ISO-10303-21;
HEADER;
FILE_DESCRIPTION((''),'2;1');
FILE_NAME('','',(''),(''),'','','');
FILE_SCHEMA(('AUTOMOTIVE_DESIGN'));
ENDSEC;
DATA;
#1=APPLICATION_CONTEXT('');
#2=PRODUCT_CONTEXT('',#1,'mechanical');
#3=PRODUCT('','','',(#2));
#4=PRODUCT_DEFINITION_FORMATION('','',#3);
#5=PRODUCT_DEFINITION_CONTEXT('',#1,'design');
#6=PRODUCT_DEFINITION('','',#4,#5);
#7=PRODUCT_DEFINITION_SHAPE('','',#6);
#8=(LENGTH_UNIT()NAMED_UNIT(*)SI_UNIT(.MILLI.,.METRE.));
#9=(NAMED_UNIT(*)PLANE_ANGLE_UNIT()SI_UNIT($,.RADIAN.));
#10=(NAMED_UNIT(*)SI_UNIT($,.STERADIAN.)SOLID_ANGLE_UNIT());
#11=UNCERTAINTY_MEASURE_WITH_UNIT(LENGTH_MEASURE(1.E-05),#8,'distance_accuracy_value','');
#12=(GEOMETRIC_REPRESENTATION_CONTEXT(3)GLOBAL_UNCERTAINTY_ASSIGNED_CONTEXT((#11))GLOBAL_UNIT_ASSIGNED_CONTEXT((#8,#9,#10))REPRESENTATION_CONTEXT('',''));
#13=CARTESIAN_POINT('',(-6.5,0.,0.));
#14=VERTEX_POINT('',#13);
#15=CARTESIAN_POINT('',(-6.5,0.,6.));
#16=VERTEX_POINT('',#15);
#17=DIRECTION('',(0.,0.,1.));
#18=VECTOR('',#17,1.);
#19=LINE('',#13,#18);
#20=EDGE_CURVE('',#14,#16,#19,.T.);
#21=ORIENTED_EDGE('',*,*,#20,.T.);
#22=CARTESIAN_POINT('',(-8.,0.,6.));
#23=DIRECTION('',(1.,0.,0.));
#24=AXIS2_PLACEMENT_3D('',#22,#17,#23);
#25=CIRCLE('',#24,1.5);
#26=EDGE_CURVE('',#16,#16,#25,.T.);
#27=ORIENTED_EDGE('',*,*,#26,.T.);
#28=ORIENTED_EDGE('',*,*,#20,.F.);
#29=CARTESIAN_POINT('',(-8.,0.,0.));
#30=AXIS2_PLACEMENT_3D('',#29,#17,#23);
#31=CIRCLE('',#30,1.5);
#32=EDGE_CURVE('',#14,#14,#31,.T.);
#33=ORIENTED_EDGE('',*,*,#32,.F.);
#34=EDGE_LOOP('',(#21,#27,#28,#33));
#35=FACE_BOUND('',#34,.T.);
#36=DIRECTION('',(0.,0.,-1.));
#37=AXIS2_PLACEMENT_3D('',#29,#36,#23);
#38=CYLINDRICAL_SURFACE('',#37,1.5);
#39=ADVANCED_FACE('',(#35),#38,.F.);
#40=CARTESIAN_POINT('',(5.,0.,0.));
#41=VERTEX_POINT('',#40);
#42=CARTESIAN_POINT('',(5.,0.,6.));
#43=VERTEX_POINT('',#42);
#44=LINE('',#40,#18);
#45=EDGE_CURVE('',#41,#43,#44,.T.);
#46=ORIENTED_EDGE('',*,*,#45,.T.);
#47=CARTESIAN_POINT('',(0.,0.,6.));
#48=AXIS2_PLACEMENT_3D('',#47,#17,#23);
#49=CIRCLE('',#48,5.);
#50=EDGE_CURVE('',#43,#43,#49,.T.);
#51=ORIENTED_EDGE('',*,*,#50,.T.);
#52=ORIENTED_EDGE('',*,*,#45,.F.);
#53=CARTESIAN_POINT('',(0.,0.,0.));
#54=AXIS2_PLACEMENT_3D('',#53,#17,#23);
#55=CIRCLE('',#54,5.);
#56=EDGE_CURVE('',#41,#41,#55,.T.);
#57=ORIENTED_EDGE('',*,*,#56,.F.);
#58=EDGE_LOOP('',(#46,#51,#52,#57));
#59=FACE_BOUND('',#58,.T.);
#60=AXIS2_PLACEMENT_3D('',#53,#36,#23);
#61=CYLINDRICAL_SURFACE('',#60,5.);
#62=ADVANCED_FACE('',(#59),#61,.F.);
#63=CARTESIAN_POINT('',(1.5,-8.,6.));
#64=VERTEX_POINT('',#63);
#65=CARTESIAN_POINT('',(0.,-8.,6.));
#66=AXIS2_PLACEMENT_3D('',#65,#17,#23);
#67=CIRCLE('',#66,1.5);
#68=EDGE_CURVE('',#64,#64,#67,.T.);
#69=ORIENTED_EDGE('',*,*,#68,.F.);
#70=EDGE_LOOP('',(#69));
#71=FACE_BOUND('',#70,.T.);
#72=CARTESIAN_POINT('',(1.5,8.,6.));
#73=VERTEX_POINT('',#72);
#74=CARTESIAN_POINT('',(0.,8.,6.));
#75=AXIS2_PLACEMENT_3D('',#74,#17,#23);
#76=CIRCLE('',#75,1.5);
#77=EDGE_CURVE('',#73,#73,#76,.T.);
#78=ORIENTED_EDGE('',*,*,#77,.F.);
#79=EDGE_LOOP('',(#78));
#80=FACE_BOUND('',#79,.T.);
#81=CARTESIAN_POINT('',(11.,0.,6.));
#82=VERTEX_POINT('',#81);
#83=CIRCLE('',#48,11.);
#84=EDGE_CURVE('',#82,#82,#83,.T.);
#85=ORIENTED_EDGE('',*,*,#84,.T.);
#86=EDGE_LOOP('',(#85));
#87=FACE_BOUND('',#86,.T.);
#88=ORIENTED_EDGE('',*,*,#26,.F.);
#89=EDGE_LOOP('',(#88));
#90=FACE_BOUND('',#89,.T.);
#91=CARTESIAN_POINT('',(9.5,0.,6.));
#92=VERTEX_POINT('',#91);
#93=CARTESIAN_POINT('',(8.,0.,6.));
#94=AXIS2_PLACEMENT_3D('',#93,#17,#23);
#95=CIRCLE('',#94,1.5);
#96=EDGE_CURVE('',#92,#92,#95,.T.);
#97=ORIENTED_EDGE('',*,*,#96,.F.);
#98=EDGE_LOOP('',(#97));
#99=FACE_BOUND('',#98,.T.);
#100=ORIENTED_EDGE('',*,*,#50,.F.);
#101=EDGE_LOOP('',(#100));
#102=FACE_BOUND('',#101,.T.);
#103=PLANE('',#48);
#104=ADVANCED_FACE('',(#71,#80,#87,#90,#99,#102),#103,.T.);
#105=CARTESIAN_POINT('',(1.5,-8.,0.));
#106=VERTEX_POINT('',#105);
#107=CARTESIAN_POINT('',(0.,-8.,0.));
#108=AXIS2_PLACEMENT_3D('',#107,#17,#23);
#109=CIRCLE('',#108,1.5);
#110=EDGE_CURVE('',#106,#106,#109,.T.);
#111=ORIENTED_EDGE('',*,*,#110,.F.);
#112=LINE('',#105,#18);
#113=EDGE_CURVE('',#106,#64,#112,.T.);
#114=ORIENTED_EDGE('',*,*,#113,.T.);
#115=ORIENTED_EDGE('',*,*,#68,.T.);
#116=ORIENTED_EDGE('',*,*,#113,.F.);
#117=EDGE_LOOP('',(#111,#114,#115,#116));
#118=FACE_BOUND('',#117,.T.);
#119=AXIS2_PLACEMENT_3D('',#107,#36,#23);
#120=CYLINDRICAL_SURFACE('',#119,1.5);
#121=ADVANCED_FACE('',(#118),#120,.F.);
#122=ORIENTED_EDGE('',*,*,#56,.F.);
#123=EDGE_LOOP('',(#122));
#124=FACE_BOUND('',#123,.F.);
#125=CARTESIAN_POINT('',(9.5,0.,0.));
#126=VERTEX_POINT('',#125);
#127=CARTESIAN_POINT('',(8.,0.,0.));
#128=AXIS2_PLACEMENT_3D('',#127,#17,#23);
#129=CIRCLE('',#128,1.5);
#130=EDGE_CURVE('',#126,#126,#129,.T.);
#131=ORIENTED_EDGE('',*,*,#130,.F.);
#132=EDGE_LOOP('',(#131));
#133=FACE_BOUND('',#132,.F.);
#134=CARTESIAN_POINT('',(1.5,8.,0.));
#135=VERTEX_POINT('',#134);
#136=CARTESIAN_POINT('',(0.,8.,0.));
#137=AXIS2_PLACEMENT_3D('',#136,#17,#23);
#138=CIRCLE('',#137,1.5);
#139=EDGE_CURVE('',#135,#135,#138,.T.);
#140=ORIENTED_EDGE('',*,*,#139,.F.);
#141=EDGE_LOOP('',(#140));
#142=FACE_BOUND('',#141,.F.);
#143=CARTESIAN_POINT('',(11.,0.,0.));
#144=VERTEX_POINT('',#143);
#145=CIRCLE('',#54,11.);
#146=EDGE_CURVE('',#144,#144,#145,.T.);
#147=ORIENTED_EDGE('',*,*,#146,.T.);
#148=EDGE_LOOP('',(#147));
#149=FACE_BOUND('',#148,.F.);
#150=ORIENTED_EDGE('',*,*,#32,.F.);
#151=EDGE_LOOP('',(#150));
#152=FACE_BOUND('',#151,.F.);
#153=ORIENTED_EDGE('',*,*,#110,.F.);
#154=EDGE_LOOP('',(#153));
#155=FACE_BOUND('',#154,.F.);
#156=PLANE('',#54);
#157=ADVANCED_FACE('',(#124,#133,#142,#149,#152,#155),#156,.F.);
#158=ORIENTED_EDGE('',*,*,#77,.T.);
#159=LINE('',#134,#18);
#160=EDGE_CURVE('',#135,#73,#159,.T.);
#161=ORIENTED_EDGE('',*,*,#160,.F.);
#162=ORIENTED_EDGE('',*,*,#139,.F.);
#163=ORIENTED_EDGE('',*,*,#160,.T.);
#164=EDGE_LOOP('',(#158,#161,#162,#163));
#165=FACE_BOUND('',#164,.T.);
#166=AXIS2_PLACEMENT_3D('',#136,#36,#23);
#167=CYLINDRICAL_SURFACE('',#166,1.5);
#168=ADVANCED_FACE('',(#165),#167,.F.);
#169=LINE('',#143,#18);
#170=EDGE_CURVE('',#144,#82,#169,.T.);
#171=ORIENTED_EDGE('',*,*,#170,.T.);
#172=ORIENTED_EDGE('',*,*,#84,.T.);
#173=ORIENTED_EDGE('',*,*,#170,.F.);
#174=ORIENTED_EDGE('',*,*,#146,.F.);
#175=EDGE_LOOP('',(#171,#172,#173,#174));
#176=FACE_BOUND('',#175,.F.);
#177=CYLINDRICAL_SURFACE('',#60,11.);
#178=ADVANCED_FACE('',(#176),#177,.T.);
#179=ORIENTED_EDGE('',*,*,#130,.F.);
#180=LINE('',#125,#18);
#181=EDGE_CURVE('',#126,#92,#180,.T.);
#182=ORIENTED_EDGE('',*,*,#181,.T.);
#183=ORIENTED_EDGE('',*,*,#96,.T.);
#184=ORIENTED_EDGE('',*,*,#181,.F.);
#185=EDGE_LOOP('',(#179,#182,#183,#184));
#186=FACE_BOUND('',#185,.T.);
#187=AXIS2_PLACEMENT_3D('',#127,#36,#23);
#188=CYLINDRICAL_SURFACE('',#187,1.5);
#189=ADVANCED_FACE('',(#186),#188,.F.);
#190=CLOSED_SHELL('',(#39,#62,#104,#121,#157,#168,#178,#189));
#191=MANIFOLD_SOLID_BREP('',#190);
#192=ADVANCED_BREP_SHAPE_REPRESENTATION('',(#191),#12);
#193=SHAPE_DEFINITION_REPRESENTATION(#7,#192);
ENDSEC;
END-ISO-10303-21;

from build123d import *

# Parameters (mm, degrees)
SKETCH_R   = 11
SKETCH_R_2 = 1.5
SKETCH_R_3 = 5
PAD_DEPTH  = 6


with BuildPart() as part:
    # Sketch → Pad (new body)
    with BuildSketch(Plane.XY):
        Circle(SKETCH_R)
        with Locations((0, 8)):
            Circle(SKETCH_R_2, mode=Mode.SUBTRACT)
        with Locations((-8, 0)):
            Circle(SKETCH_R_2, mode=Mode.SUBTRACT)
        with Locations((0, -8)):
            Circle(SKETCH_R_2, mode=Mode.SUBTRACT)
        with Locations((8, 0)):
            Circle(SKETCH_R_2, mode=Mode.SUBTRACT)
        Circle(SKETCH_R_3, mode=Mode.SUBTRACT)
    extrude(amount=PAD_DEPTH)


solid = part.part
